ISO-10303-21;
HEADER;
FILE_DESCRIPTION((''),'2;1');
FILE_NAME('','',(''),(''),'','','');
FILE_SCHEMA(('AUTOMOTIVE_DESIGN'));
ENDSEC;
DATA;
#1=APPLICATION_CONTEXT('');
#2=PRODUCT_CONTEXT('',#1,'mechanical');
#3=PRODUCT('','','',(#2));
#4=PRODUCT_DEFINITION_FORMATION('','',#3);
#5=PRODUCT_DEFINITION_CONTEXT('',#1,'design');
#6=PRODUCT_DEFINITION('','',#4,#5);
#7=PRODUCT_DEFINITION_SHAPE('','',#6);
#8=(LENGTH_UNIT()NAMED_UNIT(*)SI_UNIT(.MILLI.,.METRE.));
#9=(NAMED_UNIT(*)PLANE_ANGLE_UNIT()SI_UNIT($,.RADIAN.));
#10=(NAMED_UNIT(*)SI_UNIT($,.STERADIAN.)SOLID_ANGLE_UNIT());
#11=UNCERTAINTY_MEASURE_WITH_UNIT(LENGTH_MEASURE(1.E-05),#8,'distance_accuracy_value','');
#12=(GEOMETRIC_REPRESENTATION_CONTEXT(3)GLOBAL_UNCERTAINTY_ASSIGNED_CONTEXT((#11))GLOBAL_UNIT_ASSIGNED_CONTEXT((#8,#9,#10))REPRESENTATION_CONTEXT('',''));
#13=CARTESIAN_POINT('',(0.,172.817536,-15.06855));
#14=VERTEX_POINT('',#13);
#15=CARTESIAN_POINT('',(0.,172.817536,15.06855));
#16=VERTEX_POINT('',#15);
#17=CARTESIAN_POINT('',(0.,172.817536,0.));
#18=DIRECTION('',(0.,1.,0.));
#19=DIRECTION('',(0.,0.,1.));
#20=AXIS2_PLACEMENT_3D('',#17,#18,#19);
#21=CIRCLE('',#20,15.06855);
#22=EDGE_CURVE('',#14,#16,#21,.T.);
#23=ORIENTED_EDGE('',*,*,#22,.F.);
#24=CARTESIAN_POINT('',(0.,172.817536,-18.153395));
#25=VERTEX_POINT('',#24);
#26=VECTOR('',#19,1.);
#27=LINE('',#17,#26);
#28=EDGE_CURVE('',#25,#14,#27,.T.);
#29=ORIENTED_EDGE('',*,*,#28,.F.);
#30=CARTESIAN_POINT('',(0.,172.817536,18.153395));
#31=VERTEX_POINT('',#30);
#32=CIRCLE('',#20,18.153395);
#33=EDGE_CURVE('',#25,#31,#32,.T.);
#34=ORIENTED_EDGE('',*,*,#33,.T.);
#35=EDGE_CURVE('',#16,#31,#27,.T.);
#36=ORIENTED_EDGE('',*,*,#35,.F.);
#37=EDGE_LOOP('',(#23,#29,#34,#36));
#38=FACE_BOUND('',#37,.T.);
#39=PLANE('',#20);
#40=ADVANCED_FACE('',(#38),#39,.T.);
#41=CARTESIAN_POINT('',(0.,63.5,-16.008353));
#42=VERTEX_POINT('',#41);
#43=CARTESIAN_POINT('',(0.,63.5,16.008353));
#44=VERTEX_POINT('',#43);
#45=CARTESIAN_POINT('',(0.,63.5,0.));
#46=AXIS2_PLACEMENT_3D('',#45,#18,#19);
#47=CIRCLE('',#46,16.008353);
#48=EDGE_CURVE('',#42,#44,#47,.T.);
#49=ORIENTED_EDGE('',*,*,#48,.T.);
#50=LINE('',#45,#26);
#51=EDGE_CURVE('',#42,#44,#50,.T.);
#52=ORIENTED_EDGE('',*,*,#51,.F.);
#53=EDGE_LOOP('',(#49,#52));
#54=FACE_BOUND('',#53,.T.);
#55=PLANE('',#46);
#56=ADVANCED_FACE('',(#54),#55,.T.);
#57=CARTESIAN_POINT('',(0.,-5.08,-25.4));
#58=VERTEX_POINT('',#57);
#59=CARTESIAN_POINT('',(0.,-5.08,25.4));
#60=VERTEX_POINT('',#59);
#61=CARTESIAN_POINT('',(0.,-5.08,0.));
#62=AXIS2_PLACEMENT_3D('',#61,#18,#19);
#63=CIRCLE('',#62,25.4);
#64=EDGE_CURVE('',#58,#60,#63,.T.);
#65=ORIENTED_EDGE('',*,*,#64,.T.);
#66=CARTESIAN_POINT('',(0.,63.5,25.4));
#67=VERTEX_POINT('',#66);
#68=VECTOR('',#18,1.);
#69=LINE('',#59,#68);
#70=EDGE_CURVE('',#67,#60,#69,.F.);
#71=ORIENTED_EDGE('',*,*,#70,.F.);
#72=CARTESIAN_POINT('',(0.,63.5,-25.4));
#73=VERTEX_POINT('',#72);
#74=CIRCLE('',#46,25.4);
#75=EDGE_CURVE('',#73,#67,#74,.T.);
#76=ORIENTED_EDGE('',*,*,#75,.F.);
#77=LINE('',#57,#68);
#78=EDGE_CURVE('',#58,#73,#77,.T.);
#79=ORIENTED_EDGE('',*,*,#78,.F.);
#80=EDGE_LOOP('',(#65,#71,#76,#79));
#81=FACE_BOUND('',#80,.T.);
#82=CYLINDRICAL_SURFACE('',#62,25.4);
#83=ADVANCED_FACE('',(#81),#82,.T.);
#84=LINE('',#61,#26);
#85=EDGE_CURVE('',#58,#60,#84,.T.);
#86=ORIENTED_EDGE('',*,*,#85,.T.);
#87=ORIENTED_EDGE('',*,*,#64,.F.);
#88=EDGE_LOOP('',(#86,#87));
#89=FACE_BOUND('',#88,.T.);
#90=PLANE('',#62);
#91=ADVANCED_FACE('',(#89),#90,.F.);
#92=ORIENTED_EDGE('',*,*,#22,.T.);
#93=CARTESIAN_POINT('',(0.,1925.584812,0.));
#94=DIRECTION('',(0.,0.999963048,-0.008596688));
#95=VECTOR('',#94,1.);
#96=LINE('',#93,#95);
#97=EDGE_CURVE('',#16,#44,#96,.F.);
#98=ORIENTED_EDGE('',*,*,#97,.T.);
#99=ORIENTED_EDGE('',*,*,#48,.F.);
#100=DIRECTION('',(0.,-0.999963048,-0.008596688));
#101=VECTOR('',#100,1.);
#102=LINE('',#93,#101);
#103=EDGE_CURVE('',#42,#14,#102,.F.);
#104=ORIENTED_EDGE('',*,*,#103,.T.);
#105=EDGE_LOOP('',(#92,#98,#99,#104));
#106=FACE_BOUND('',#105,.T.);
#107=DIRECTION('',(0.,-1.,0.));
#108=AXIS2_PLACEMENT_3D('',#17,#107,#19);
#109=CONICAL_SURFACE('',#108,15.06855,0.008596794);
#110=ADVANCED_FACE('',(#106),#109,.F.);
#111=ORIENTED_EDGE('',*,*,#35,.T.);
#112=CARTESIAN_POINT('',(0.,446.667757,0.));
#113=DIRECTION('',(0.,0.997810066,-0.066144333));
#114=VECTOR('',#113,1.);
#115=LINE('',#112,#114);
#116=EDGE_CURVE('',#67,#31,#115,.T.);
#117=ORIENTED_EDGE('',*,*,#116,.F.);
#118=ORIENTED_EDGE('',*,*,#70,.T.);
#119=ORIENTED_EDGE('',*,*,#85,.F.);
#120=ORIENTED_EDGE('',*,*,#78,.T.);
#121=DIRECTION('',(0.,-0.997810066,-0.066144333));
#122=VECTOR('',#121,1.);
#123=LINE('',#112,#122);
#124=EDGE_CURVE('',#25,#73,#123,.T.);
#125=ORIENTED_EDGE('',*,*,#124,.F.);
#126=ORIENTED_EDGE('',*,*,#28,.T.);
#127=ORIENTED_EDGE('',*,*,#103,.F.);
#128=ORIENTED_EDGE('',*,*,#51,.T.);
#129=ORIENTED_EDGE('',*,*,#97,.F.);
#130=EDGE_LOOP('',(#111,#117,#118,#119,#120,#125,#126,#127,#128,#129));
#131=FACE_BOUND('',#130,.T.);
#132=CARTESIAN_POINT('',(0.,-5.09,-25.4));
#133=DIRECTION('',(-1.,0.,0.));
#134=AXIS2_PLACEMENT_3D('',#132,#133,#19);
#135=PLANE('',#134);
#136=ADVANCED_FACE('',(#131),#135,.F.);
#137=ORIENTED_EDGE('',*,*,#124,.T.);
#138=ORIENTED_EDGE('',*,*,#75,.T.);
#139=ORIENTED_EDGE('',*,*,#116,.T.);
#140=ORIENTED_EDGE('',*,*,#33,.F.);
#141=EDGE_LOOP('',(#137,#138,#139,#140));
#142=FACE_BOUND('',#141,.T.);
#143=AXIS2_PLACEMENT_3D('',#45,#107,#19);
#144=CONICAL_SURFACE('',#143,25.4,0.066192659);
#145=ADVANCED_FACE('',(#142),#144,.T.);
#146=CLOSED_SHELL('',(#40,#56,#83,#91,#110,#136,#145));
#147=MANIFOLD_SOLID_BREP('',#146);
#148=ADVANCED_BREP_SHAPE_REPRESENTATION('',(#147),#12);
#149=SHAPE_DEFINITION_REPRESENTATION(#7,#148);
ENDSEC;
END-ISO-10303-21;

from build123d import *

# Parameters (mm, degrees)
SKETCH2_R                = 25.4
BOSS_EXTRUDE1_DEPTH      = 63.5
BOSS_EXTRUDE1_DEPTH_BACK = 5.08
SKETCH3_R                = 25.4
BOSS_EXTRUDE2_DEPTH      = 109.317536
BOSS_EXTRUDE2_TAPER      = 3.79256
SKETCH4_R                = 15.06855
CUT_EXTRUDE1_DEPTH       = 109.317536
CUT_EXTRUDE1_DRAFT       = 0.49256
SPLIT2_SURFACE_1_BACK    = 192.856
SPLIT2_SURFACE_1_DEPTH   = 385.712


with BuildPart() as part:
    # Sketch2 → Boss-Extrude1 (new, two sides)
    with BuildSketch(Plane(origin=(0, 0, 0), x_dir=(1, 0, 0), z_dir=(0, 1, 0))) as boss_extrude1_sk:
        with Locations(Location((0, 0, 0), (0, 0, 270))):
            Circle(SKETCH2_R)
    extrude(amount=BOSS_EXTRUDE1_DEPTH)
    extrude(boss_extrude1_sk.sketch, amount=-BOSS_EXTRUDE1_DEPTH_BACK)

    # Sketch3 → Boss-Extrude2 (add)
    with BuildSketch(Plane(origin=(0, 63.5, 0), x_dir=(1, 0, 0), z_dir=(0, 1, 0))):
        with Locations(Location((0, 0, 0), (0, 0, 270))):
            Circle(SKETCH3_R)
    extrude(amount=BOSS_EXTRUDE2_DEPTH, taper=BOSS_EXTRUDE2_TAPER)


with BuildPart() as cut_extrude1_tool:
    # Sketch4 → Cut-Extrude1 (with draft: the straight prism first)
    with BuildSketch(Plane(origin=(0, 172.817536, 0), x_dir=(1, 0, 0), z_dir=(0, 1, 0))):
        Circle(SKETCH4_R)
    extrude(amount=-CUT_EXTRUDE1_DEPTH)
    # Cut-Extrude1: the draft: its side faces are tilted about the plane it starts from
    cut_extrude1_sides = [cut_extrude1_tool.faces().sort_by_distance(p)[0] for p in [
        (-15.06855, 118.158768, 0),
    ]]
    draft(cut_extrude1_sides, Plane(origin=(0, 172.817536, 0), x_dir=(1, 0, 0), z_dir=(0, 1, 0)), CUT_EXTRUDE1_DRAFT)


with BuildPart() as part_1:
    add(part.part)

    # Cut-Extrude1: cut by cut_extrude1_tool
    add(cut_extrude1_tool.part, mode=Mode.SUBTRACT)

    # Split2: cut with a surface, the side behind it stays
    # Split2 surface: a surface, the sketch's curves swept straight by 385.712 mm
    with BuildLine(Plane(origin=(0, 0, 0), x_dir=(1, 0, 0), z_dir=(0, 1, 0)).offset(-SPLIT2_SURFACE_1_BACK), mode=Mode.PRIVATE) as split2_surface_1_path:
        Line((0, 25.4), (0, -25.4))
    split2_surface_1 = Shell.extrude(split2_surface_1_path.wire(), (0 * SPLIT2_SURFACE_1_DEPTH, 1 * SPLIT2_SURFACE_1_DEPTH, 0 * SPLIT2_SURFACE_1_DEPTH))
    split(bisect_by=split2_surface_1, keep=Keep.BOTTOM)


solid = part_1.part
